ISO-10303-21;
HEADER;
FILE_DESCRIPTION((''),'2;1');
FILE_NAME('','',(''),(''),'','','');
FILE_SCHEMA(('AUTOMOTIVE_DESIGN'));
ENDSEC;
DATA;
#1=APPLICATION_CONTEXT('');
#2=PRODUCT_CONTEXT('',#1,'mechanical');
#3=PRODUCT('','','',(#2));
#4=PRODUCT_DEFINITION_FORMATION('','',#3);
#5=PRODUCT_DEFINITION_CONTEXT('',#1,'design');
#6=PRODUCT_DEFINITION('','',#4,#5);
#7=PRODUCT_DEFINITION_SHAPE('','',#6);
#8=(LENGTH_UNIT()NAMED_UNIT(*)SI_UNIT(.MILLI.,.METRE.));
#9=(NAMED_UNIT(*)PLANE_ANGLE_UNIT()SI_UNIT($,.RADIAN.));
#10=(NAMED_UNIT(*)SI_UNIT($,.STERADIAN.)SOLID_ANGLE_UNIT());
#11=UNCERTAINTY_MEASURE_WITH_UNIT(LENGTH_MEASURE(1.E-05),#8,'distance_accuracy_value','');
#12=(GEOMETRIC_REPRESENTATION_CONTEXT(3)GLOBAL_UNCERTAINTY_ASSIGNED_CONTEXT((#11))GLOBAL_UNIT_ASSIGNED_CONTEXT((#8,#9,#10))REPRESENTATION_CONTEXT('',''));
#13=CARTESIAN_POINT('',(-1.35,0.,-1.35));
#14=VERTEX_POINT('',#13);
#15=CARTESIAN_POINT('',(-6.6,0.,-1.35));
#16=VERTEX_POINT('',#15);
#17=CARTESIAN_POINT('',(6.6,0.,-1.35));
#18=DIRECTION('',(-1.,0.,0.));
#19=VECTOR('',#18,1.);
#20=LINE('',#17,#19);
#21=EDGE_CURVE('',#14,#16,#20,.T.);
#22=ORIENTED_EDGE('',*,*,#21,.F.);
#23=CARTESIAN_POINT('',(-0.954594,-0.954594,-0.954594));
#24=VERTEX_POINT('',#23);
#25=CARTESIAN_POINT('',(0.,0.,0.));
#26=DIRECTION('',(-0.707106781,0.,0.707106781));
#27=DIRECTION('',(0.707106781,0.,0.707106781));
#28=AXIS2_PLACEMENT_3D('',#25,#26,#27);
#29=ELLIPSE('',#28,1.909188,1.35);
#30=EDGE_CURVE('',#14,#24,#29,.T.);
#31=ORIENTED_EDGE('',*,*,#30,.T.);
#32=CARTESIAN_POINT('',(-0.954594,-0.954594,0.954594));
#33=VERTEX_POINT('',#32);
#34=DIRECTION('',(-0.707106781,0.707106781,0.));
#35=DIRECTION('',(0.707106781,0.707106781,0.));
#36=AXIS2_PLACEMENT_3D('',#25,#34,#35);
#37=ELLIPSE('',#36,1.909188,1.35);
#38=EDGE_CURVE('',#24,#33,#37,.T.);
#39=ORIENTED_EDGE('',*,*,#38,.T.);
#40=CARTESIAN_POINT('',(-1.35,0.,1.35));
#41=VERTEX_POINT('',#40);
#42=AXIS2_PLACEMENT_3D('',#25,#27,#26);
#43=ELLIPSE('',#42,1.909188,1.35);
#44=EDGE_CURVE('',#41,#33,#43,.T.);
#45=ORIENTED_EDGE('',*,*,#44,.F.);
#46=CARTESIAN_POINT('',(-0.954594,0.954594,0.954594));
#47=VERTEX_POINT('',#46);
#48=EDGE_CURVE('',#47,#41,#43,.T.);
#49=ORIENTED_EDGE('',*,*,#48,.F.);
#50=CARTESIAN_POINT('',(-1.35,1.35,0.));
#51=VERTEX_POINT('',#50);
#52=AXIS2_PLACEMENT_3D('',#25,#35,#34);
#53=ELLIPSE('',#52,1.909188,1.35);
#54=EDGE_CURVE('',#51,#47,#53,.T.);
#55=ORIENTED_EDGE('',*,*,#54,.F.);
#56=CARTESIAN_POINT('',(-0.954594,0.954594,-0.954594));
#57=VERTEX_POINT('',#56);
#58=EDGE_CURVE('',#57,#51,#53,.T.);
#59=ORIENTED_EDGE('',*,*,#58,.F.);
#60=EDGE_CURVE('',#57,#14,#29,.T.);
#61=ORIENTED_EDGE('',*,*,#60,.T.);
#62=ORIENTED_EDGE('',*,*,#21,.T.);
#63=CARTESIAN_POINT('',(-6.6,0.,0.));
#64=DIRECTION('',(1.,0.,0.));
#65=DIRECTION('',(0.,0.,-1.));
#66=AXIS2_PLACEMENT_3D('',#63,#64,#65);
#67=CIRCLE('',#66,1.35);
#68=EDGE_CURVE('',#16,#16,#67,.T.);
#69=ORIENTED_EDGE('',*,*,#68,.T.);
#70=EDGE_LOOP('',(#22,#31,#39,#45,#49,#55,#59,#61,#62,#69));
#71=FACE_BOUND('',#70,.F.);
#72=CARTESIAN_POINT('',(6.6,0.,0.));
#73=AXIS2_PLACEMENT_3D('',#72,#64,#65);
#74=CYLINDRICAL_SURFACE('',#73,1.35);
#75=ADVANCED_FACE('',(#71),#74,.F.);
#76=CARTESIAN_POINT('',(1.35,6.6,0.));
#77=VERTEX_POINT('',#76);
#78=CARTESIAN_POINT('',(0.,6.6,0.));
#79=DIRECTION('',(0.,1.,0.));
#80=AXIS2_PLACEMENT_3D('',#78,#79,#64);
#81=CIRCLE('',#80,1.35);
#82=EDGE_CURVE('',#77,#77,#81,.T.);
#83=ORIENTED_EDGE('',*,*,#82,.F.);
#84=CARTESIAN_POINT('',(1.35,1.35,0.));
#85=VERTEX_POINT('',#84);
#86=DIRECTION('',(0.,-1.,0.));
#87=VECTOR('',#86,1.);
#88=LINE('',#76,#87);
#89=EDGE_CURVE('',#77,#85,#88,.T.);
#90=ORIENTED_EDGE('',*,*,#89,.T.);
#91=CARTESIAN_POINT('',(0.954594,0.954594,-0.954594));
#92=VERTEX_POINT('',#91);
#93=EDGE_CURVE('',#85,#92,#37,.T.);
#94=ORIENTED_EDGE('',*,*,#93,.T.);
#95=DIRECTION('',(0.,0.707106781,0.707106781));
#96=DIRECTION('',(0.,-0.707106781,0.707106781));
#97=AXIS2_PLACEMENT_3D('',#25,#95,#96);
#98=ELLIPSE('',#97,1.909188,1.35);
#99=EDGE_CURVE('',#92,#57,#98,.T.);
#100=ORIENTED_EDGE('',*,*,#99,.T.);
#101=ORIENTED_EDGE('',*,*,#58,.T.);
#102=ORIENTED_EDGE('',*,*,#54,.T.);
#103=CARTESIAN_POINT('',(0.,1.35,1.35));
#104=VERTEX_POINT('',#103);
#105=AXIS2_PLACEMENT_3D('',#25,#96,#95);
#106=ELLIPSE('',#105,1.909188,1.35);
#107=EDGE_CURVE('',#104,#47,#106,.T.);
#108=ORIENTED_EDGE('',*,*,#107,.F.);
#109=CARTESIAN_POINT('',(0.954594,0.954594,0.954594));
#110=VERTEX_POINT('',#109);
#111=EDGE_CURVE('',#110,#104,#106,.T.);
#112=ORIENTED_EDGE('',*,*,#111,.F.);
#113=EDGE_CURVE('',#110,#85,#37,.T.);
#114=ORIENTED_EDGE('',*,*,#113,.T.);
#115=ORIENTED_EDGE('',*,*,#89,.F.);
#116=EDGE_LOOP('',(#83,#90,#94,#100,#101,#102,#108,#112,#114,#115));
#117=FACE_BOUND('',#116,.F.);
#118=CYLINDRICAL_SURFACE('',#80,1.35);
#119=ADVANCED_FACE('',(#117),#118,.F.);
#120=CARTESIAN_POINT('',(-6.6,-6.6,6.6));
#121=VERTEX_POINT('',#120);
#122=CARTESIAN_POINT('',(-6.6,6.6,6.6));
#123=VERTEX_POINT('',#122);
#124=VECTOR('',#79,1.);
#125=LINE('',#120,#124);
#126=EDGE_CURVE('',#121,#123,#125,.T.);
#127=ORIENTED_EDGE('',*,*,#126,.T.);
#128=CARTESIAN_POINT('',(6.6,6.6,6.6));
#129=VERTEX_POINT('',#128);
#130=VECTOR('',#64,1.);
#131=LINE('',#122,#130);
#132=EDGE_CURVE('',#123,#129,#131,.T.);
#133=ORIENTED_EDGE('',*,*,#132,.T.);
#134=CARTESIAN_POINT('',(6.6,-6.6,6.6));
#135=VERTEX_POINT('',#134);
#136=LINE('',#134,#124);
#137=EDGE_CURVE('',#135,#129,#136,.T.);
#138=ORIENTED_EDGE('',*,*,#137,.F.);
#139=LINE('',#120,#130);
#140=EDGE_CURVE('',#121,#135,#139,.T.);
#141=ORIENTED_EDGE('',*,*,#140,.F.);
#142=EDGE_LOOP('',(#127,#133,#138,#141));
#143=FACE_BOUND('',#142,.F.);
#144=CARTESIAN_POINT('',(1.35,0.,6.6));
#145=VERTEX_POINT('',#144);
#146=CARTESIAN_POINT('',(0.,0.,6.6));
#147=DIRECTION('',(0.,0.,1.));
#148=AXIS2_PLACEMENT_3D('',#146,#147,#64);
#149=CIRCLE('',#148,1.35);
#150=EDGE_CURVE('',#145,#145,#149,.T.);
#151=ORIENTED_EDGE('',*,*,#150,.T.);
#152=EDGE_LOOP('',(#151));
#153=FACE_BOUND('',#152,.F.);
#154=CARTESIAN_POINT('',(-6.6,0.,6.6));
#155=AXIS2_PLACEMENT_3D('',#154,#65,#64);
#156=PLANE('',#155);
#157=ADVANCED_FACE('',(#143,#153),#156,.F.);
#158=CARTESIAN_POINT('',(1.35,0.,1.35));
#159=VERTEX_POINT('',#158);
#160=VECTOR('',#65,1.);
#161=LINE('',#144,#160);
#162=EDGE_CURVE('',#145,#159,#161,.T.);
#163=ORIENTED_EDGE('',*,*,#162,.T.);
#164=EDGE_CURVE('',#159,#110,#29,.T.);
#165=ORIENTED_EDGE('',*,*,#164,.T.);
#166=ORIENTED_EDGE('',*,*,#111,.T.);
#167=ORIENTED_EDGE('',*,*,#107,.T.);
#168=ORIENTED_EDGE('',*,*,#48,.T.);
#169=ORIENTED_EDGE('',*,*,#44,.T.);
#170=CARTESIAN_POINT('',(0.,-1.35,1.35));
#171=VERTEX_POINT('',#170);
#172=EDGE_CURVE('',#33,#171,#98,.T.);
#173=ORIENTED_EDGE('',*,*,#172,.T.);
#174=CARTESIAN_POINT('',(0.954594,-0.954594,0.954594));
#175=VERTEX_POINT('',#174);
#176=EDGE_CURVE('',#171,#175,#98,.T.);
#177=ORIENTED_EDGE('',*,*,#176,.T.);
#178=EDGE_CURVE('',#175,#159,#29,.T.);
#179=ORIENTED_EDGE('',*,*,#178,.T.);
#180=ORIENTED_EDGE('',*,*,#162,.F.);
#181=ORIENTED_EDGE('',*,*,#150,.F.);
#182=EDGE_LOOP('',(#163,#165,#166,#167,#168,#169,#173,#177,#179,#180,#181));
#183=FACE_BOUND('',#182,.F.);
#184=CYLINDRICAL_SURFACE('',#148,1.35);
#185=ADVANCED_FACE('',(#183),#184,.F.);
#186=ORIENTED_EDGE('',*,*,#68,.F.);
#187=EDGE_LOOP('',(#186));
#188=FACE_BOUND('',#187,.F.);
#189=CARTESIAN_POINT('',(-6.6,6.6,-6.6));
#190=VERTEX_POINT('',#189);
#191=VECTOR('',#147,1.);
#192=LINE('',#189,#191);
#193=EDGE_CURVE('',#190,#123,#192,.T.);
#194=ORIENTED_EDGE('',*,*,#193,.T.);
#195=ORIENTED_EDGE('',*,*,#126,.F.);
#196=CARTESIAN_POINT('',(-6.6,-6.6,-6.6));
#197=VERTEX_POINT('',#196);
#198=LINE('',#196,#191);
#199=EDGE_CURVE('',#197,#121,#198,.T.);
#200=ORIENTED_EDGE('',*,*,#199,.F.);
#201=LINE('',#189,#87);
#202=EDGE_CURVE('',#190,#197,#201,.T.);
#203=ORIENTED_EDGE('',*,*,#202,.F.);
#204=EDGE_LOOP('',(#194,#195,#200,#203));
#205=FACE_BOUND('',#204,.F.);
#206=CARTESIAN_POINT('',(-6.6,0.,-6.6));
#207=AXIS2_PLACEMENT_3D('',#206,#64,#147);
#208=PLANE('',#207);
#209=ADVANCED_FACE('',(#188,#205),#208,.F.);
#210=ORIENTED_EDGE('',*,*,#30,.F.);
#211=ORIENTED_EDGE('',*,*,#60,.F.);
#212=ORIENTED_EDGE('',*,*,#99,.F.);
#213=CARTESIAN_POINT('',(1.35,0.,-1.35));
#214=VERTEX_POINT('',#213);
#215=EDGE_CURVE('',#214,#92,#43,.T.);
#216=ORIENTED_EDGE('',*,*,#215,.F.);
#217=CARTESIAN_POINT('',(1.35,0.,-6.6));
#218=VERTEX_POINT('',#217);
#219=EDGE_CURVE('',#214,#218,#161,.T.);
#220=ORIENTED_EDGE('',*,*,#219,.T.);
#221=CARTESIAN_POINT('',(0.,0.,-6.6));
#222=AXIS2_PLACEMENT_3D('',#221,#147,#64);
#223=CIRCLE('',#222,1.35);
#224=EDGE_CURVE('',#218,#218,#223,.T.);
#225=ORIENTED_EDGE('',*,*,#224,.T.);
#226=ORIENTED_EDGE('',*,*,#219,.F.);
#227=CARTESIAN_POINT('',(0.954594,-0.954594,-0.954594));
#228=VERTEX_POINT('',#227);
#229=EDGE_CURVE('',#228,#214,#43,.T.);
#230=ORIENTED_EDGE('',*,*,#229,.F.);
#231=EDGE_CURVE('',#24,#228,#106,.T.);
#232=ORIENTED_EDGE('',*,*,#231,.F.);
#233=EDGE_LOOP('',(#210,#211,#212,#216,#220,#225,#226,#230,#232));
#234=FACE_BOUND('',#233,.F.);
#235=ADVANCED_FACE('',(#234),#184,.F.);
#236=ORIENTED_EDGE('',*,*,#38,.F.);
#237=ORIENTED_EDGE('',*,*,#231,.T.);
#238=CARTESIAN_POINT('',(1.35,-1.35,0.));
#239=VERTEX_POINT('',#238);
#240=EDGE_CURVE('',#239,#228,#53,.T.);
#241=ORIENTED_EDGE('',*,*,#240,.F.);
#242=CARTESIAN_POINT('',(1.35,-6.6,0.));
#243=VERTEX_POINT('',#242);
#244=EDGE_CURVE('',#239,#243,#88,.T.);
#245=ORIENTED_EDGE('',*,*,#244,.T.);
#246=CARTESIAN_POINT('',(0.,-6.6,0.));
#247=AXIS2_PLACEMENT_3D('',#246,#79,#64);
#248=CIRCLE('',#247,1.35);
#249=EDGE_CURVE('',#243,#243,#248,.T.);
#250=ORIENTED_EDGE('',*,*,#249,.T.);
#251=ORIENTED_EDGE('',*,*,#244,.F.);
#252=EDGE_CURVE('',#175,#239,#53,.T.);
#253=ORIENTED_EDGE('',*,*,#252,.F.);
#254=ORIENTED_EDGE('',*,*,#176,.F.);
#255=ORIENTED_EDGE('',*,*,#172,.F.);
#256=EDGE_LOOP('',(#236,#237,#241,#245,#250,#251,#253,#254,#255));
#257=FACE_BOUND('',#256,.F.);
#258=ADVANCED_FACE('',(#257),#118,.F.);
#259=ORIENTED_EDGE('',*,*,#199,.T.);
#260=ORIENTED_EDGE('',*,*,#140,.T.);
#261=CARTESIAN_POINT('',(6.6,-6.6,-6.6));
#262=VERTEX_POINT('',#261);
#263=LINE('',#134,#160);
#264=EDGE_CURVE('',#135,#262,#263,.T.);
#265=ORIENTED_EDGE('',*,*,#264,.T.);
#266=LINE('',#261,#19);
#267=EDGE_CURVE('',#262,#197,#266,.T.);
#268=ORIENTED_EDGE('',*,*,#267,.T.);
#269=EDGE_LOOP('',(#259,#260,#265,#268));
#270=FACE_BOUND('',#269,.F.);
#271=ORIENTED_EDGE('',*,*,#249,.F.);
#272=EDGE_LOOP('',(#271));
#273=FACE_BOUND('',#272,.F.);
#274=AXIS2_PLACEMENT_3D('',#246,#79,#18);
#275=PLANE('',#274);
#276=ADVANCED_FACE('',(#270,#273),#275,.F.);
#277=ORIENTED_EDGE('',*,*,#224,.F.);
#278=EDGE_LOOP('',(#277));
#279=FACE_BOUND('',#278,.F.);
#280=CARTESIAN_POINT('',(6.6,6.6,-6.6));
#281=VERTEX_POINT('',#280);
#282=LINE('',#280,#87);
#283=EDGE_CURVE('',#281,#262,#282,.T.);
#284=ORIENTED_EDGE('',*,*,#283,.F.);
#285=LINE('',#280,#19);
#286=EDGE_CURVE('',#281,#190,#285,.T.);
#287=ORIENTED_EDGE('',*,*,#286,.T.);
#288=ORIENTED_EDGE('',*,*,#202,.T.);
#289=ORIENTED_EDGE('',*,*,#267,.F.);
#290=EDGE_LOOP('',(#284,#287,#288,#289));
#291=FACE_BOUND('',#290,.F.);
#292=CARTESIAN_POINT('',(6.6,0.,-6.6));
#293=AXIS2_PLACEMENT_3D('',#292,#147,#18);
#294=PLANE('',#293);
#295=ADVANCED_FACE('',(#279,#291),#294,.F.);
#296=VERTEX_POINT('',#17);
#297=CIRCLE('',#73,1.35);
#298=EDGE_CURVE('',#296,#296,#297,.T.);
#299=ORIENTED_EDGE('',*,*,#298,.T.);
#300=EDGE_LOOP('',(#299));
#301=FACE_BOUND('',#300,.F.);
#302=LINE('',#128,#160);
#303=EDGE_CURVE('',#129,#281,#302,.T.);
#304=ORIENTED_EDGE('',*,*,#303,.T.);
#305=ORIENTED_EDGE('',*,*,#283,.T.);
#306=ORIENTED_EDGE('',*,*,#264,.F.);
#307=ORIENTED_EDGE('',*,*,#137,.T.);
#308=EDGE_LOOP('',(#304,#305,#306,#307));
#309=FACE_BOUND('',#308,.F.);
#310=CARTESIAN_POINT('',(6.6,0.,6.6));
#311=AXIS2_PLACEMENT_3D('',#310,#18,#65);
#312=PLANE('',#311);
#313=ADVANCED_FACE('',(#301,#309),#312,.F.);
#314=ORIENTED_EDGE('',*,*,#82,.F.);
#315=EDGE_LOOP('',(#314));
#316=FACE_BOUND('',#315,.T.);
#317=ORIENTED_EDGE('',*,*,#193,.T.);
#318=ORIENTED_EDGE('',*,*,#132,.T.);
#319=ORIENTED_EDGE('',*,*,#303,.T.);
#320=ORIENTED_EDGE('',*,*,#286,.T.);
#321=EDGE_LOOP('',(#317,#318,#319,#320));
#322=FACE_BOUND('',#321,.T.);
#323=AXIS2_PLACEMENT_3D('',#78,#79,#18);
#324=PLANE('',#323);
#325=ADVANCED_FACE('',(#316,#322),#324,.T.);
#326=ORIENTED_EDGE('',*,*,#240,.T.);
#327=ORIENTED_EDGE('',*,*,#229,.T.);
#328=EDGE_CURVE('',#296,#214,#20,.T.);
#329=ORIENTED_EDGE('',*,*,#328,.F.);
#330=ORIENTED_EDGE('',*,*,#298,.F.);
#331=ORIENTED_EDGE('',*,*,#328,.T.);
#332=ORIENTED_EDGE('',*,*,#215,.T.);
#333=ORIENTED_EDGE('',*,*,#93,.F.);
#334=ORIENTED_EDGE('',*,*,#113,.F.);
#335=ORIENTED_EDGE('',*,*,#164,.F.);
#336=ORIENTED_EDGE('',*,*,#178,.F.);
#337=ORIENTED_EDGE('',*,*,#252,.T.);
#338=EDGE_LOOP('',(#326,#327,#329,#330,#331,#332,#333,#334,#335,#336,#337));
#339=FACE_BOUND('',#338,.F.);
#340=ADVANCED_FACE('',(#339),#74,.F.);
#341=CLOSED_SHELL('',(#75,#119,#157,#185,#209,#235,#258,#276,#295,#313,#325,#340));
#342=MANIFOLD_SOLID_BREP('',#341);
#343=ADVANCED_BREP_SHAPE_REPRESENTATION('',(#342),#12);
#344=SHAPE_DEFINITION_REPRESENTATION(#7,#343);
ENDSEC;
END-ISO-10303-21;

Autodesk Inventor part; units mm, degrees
ref_plane "YZ Plane" through (0, 0, 0) normal (1, 0, 0) x (0, 1, 0)
ref_plane "XZ Plane" through (0, 0, 0) normal (0, 1, 0) x (-1, 0, 0)
ref_plane "XY Plane" through (0, 0, 0) normal (0, 0, 1) x (1, 0, 0)
sketch "Sketch1" plane through (0, 0, 0) normal (0, 1, 0) x (-1, 0, 0)
  line L0 (6.6, 6.6) -> (-6.6, 6.6)
  line L1 (-6.6, 6.6) -> (-6.6, -6.6)
  line L2 (-6.6, -6.6) -> (6.6, -6.6)
  line L3 (6.6, -6.6) -> (6.6, 6.6)
  line L4 (6.6, 6.6) -> (-6.6, -6.6) construction
  line L5 (-6.6, 6.6) -> (6.6, -6.6) construction
  point P0 (0, 0)
  dimension "d0" = 13.2
extrude "Extrusion1" add sketch "Sketch1" along normal mid plane 13.2
sketch "Sketch2" plane through (0, 6.6, 0) normal (0, 1, 0) x (1, 0, 0)
  circle A0 centre (0, 0) radius 1.35
  dimension "d3" = 2.7
sketch "Sketch3" plane through (6.6, -6.6, -6.6) normal (1, 0, 0) x (0, 0, -1)
  circle A0 centre (-6.6, 6.6) radius 1.35
  dimension "d4" = 2.7
sketch "Sketch4" plane through (-6.6, 6.6, 6.6) normal (0, 0, 1) x (1, 0, 0)
  circle A0 centre (6.6, -6.6) radius 1.35
  dimension "d5" = 2.7
extrude "Extrusion2" cut sketch "Sketch4" along normal through all both and the other way through all
extrude "Extrusion3" cut sketch "Sketch2" along normal through all both and the other way through all
extrude "Extrusion4" cut sketch "Sketch3" against normal through all
equation "\"d1\" = d0"
equation "\"d4\" = d3"
equation "\"d5\" = d3"
properties part number "C-M3-M" material "ABS Plastic"
